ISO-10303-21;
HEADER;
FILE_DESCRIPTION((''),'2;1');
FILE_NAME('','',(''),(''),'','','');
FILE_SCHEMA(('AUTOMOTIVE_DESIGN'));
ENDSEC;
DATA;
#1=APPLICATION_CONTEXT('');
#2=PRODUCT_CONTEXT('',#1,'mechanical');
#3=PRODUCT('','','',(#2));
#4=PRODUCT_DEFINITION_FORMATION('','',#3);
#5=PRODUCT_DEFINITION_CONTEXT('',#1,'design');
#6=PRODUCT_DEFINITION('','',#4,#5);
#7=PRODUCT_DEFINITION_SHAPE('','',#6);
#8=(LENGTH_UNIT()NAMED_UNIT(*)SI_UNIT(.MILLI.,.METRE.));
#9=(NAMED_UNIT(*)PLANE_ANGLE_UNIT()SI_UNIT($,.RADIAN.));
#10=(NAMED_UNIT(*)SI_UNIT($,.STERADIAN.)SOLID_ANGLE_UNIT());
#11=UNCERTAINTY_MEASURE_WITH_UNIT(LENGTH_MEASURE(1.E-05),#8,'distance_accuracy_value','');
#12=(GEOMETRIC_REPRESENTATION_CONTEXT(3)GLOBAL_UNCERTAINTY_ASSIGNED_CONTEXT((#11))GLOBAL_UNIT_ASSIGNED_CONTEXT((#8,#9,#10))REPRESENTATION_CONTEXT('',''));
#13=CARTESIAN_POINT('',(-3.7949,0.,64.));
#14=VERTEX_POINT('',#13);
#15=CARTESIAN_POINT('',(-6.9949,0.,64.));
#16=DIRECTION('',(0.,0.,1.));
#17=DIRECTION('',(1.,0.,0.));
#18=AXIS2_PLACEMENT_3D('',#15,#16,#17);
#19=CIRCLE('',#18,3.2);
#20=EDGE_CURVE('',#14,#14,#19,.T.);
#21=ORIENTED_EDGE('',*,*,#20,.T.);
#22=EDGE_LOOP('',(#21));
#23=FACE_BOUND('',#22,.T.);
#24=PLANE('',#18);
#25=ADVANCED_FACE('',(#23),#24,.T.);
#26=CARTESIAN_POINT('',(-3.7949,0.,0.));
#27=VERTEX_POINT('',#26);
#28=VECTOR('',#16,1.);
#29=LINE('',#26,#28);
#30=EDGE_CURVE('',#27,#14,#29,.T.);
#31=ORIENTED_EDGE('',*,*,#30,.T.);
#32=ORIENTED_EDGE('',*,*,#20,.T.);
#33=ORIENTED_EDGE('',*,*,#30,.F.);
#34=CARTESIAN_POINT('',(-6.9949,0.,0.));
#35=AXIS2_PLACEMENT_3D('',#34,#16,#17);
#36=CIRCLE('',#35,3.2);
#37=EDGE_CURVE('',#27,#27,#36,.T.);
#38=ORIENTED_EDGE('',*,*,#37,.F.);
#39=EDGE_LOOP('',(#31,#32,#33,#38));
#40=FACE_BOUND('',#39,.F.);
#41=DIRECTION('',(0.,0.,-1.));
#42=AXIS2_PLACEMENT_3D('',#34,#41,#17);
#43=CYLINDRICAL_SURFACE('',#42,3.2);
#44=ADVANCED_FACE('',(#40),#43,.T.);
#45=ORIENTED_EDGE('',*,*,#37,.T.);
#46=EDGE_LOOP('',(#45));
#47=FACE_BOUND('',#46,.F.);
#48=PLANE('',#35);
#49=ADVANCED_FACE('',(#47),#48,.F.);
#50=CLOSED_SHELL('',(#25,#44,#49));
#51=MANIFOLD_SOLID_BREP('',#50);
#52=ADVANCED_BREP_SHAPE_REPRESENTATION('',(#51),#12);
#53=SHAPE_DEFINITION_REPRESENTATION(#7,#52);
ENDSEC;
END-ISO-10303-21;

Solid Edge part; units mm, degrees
sketch "Sketch1" plane through (0, 0, 0) normal (0, 0, 1) x (1, 0, 0)
  circle A0 centre (-6.9949, 0) radius 3.2
  dimension "D1" = 6.4
extrude "Protrusion1" add sketch "Sketch1" along normal blind 64
properties material "Steel"
